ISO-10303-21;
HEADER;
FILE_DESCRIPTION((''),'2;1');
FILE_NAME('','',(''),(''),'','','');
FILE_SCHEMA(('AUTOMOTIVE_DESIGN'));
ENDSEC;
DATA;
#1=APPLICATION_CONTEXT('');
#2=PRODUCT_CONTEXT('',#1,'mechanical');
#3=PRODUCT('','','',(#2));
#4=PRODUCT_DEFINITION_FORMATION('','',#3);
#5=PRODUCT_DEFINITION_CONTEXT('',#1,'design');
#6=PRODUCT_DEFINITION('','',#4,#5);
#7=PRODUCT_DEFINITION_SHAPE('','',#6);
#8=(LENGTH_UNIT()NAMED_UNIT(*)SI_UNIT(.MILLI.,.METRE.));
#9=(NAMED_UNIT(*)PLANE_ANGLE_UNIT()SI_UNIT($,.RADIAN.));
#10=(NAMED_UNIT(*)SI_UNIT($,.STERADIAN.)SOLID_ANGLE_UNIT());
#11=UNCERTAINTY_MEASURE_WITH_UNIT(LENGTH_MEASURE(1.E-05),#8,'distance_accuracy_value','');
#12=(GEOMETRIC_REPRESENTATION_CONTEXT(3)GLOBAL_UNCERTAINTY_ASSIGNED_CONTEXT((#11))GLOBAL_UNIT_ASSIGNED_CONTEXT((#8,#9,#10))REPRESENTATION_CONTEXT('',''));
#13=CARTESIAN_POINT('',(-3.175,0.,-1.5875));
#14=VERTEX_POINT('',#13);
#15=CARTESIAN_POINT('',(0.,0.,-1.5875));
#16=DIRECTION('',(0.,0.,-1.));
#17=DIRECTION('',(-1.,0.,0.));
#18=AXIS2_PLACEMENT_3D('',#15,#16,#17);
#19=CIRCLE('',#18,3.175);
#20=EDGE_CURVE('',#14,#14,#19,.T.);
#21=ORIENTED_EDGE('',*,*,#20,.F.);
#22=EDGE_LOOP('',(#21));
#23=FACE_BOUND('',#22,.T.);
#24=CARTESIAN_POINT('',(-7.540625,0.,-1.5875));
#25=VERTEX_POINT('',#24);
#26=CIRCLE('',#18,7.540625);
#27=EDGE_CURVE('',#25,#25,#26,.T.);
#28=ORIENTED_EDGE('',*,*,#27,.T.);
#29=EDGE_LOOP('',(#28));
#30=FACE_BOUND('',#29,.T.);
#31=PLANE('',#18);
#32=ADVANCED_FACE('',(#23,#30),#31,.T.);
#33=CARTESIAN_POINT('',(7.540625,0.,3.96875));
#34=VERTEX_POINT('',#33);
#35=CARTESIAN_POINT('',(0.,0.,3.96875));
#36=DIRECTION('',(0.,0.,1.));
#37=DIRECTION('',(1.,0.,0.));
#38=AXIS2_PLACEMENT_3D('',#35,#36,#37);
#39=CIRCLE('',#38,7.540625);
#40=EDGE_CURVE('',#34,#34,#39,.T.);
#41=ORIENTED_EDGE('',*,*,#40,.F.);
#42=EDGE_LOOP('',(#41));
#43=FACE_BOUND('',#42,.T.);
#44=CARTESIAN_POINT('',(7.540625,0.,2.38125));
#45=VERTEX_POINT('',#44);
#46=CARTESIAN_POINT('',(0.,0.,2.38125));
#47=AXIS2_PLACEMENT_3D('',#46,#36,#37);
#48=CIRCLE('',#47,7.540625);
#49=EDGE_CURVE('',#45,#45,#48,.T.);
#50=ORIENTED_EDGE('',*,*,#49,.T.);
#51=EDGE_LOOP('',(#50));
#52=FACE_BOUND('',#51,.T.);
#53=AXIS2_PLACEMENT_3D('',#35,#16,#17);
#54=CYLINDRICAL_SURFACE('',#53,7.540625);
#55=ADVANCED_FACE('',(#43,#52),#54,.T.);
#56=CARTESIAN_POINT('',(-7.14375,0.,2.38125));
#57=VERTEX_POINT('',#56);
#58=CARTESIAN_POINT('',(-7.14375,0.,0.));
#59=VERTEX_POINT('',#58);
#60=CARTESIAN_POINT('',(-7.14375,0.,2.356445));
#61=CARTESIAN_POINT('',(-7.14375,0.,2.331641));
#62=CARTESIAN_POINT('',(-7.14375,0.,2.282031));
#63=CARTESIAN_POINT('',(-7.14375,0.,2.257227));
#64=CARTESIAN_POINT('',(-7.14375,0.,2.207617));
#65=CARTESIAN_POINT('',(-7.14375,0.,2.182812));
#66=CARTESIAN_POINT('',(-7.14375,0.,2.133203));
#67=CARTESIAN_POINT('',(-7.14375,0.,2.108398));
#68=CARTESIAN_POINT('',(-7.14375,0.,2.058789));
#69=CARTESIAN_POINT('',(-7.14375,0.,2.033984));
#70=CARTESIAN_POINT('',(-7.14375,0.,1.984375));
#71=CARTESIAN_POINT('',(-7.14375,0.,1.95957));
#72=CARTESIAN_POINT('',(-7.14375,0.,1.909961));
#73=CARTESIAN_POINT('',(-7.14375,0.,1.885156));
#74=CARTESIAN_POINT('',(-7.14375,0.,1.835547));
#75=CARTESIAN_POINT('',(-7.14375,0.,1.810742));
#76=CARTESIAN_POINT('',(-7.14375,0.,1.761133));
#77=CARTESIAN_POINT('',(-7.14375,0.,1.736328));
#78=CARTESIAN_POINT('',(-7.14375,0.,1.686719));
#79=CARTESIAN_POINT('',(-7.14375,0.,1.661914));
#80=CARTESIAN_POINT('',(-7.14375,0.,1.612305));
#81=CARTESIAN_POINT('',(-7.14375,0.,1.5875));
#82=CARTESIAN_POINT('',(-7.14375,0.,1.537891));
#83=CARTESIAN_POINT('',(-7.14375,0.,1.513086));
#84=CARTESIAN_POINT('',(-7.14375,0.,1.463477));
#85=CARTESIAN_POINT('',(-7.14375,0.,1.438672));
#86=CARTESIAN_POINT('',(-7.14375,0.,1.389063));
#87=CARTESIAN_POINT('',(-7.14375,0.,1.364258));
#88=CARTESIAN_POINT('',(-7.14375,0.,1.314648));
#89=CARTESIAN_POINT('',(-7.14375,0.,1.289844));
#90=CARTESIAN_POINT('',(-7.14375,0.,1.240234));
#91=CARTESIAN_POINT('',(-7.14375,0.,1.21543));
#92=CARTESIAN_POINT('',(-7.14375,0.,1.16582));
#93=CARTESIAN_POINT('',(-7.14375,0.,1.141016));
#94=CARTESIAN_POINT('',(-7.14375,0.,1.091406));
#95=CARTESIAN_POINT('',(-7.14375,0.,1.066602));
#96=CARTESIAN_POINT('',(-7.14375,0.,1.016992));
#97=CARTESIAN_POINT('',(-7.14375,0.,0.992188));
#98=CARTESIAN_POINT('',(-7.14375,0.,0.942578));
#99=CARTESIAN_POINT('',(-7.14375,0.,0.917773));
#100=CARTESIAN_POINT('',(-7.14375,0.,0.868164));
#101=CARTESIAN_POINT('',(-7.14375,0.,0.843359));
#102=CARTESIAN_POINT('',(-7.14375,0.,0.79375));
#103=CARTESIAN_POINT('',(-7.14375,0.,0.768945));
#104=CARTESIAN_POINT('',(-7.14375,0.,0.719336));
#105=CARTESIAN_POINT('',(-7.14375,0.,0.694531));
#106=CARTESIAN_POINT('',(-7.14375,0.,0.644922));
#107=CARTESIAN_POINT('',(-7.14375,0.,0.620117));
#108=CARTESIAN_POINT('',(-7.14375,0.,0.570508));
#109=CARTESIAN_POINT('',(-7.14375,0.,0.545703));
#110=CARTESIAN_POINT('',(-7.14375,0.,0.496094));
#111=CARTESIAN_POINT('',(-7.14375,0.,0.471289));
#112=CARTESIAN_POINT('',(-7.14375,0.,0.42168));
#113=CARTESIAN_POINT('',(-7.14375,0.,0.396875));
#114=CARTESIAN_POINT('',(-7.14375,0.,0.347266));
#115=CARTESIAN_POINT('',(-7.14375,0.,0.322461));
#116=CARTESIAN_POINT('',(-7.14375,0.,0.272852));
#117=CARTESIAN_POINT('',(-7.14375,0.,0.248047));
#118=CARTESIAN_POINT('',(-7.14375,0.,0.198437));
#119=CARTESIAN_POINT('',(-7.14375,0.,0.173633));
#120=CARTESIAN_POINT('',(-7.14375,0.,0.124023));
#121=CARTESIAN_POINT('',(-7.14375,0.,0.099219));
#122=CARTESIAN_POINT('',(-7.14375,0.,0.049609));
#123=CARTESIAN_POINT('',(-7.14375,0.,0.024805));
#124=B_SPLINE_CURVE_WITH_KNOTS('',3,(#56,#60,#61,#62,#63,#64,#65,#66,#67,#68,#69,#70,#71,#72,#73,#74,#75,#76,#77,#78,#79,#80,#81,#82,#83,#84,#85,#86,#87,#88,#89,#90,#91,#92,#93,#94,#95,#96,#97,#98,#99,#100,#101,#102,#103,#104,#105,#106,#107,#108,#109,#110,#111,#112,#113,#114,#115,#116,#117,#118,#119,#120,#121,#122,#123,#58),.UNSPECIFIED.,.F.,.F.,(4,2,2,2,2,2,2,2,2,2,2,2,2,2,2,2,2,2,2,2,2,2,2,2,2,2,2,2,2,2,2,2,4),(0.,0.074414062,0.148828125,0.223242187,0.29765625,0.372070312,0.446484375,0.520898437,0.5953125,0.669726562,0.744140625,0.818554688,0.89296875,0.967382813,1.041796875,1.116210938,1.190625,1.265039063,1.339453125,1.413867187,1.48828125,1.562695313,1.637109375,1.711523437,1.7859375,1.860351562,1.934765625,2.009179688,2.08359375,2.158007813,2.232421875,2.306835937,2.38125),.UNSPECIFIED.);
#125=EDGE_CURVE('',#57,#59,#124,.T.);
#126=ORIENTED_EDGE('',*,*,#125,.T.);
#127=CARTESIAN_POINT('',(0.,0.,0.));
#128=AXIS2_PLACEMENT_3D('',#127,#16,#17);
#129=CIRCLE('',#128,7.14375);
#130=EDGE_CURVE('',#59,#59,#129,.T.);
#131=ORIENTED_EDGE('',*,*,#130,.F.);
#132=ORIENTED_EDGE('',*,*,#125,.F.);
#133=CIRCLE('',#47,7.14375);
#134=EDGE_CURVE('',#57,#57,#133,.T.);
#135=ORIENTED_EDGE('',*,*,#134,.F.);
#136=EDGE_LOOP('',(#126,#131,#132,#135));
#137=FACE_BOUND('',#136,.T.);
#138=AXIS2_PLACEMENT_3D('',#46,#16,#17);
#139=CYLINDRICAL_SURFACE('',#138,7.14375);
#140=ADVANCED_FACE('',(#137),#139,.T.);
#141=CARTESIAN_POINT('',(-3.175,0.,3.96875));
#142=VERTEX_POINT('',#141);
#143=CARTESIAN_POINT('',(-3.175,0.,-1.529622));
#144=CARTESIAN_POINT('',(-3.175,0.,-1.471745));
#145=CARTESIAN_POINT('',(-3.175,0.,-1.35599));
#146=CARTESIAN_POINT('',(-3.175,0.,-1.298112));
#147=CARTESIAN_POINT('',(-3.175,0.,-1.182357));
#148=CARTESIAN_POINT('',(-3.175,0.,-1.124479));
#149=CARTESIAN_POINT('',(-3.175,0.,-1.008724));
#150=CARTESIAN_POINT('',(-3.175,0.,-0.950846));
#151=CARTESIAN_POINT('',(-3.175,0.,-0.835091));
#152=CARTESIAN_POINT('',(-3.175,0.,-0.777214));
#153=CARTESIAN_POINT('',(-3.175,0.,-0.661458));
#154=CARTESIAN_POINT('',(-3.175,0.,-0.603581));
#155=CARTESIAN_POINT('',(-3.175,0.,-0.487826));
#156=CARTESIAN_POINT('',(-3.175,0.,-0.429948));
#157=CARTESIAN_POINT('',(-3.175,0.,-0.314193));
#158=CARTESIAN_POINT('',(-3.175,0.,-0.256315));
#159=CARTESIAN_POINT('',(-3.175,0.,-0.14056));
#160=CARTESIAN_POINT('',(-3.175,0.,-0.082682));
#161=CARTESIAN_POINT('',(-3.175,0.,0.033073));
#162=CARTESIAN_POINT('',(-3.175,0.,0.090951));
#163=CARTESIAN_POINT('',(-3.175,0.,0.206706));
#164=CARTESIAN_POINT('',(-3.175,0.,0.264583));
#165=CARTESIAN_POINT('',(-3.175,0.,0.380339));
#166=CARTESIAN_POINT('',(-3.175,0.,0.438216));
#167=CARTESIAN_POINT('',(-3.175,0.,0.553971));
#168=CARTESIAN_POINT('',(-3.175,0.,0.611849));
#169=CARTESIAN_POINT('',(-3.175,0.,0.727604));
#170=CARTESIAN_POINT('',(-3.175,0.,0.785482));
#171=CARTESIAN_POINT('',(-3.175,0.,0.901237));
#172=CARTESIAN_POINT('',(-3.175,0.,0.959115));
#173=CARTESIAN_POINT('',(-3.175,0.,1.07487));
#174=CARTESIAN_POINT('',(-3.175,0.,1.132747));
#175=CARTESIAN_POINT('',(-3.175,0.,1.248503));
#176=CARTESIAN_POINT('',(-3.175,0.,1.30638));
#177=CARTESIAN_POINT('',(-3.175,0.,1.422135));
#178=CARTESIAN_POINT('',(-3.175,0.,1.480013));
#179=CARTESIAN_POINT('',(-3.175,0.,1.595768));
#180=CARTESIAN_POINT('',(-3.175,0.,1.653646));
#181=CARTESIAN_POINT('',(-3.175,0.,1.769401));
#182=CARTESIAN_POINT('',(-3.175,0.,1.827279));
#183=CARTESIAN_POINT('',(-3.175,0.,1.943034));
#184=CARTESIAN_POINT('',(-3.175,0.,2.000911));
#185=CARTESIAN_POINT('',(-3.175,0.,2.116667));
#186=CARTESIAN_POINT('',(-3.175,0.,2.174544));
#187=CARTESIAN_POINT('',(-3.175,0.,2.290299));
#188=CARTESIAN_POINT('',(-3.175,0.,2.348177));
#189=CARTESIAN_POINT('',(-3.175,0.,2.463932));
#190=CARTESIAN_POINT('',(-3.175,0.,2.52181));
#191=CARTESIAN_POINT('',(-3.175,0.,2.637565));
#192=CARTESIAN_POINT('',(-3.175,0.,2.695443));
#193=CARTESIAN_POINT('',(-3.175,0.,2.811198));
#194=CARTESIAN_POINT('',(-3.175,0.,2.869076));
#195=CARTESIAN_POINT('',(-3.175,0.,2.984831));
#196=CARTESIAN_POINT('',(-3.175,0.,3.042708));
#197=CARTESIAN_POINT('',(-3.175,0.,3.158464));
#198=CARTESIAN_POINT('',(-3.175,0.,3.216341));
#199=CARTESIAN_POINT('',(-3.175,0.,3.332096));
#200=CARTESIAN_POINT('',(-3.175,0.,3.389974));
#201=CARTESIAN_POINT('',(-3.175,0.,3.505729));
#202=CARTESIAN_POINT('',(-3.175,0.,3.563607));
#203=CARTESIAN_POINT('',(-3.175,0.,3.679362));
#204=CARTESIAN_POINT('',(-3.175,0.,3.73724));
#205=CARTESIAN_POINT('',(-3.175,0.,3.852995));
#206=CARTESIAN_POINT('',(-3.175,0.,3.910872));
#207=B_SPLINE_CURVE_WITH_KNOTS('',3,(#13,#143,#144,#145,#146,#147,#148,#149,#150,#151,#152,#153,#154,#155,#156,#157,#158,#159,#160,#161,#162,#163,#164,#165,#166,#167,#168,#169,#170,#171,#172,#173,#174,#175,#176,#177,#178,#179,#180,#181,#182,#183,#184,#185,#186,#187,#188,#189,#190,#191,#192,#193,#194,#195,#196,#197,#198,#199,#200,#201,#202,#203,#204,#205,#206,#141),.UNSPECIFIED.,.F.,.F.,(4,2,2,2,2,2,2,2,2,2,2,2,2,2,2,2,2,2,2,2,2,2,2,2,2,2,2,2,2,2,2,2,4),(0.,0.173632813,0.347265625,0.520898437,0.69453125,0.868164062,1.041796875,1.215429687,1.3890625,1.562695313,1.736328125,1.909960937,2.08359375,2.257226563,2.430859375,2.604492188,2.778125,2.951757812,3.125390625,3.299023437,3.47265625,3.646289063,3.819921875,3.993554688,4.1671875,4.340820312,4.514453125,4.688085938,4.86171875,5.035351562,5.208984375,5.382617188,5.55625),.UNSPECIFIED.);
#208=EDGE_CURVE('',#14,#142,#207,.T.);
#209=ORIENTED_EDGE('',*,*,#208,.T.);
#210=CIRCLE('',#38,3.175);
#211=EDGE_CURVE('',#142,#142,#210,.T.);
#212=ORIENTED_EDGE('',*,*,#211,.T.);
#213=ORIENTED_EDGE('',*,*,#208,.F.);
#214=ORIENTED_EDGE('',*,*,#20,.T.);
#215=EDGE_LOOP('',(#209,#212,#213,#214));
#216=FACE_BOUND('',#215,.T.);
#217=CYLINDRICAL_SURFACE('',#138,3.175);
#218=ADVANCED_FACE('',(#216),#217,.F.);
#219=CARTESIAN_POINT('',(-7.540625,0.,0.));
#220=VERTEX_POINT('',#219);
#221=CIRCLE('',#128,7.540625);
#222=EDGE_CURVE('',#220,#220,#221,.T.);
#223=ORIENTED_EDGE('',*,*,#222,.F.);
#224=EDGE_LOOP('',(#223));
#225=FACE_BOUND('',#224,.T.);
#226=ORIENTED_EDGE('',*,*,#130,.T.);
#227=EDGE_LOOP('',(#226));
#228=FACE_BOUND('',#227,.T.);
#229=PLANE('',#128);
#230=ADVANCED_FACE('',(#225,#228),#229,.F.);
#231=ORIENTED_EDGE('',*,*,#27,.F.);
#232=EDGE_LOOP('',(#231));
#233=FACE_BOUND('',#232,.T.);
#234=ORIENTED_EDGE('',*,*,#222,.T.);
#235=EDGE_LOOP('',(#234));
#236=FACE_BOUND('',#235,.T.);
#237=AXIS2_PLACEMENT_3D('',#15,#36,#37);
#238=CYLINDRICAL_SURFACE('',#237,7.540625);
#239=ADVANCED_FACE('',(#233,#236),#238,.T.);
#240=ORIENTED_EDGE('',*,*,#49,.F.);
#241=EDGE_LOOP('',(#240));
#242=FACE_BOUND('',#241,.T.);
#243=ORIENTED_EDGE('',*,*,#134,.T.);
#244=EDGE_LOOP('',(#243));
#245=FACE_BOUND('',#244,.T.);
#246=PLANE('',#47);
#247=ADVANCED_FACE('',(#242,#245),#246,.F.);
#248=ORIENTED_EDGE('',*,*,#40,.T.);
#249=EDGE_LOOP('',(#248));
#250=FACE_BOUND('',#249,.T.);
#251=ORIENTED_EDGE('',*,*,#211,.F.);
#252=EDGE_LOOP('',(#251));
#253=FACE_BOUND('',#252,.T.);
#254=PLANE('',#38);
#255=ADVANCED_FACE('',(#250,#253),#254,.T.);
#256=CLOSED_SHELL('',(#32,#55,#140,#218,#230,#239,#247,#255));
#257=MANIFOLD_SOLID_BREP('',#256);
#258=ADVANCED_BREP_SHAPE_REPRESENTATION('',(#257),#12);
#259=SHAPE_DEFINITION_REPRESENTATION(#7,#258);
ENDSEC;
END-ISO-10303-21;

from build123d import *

# Parameters (mm, degrees)
SKETCH1_R           = 7.14375
SKETCH1_R_2         = 3.175
BOSS_EXTRUDE1_DEPTH = 2.38125
BOSS_EXTRUDE2_START = 1.5875
SKETCH2_R           = 7.540625
SKETCH2_R_2         = 3.175
BOSS_EXTRUDE2_DEPTH = 1.5875
SKETCH3_R           = 7.540625
SKETCH3_R_2         = 3.175
BOSS_EXTRUDE3_DEPTH = 1.5875


with BuildPart() as part:
    # Sketch1 → Boss-Extrude1 (new body)
    with BuildSketch(Plane.XY):
        with Locations(Location((0, 0, 0), (0, 0, 180))):
            Circle(SKETCH1_R)
        with Locations(Location((0, 0, 0), (0, 0, 180))):
            Circle(SKETCH1_R_2, mode=Mode.SUBTRACT)
    extrude(amount=BOSS_EXTRUDE1_DEPTH)

    # Sketch2 → Boss-Extrude2 (add)
    with BuildSketch(Plane(origin=(0, 0, 0), x_dir=(-1, 0, 0), z_dir=(0, 0, -1)).offset(BOSS_EXTRUDE2_START)):
        Circle(SKETCH2_R)
        Circle(SKETCH2_R_2, mode=Mode.SUBTRACT)
    extrude(amount=-BOSS_EXTRUDE2_DEPTH)

    # Sketch3 → Boss-Extrude3 (add)
    with BuildSketch(Plane.XY.offset(2.38125)):
        with Locations(Location((0, 0, 0), (0, 0, 180))):
            Circle(SKETCH3_R)
        with Locations(Location((0, 0, 0), (0, 0, 180))):
            Circle(SKETCH3_R_2, mode=Mode.SUBTRACT)
    extrude(amount=BOSS_EXTRUDE3_DEPTH)


solid = part.part
